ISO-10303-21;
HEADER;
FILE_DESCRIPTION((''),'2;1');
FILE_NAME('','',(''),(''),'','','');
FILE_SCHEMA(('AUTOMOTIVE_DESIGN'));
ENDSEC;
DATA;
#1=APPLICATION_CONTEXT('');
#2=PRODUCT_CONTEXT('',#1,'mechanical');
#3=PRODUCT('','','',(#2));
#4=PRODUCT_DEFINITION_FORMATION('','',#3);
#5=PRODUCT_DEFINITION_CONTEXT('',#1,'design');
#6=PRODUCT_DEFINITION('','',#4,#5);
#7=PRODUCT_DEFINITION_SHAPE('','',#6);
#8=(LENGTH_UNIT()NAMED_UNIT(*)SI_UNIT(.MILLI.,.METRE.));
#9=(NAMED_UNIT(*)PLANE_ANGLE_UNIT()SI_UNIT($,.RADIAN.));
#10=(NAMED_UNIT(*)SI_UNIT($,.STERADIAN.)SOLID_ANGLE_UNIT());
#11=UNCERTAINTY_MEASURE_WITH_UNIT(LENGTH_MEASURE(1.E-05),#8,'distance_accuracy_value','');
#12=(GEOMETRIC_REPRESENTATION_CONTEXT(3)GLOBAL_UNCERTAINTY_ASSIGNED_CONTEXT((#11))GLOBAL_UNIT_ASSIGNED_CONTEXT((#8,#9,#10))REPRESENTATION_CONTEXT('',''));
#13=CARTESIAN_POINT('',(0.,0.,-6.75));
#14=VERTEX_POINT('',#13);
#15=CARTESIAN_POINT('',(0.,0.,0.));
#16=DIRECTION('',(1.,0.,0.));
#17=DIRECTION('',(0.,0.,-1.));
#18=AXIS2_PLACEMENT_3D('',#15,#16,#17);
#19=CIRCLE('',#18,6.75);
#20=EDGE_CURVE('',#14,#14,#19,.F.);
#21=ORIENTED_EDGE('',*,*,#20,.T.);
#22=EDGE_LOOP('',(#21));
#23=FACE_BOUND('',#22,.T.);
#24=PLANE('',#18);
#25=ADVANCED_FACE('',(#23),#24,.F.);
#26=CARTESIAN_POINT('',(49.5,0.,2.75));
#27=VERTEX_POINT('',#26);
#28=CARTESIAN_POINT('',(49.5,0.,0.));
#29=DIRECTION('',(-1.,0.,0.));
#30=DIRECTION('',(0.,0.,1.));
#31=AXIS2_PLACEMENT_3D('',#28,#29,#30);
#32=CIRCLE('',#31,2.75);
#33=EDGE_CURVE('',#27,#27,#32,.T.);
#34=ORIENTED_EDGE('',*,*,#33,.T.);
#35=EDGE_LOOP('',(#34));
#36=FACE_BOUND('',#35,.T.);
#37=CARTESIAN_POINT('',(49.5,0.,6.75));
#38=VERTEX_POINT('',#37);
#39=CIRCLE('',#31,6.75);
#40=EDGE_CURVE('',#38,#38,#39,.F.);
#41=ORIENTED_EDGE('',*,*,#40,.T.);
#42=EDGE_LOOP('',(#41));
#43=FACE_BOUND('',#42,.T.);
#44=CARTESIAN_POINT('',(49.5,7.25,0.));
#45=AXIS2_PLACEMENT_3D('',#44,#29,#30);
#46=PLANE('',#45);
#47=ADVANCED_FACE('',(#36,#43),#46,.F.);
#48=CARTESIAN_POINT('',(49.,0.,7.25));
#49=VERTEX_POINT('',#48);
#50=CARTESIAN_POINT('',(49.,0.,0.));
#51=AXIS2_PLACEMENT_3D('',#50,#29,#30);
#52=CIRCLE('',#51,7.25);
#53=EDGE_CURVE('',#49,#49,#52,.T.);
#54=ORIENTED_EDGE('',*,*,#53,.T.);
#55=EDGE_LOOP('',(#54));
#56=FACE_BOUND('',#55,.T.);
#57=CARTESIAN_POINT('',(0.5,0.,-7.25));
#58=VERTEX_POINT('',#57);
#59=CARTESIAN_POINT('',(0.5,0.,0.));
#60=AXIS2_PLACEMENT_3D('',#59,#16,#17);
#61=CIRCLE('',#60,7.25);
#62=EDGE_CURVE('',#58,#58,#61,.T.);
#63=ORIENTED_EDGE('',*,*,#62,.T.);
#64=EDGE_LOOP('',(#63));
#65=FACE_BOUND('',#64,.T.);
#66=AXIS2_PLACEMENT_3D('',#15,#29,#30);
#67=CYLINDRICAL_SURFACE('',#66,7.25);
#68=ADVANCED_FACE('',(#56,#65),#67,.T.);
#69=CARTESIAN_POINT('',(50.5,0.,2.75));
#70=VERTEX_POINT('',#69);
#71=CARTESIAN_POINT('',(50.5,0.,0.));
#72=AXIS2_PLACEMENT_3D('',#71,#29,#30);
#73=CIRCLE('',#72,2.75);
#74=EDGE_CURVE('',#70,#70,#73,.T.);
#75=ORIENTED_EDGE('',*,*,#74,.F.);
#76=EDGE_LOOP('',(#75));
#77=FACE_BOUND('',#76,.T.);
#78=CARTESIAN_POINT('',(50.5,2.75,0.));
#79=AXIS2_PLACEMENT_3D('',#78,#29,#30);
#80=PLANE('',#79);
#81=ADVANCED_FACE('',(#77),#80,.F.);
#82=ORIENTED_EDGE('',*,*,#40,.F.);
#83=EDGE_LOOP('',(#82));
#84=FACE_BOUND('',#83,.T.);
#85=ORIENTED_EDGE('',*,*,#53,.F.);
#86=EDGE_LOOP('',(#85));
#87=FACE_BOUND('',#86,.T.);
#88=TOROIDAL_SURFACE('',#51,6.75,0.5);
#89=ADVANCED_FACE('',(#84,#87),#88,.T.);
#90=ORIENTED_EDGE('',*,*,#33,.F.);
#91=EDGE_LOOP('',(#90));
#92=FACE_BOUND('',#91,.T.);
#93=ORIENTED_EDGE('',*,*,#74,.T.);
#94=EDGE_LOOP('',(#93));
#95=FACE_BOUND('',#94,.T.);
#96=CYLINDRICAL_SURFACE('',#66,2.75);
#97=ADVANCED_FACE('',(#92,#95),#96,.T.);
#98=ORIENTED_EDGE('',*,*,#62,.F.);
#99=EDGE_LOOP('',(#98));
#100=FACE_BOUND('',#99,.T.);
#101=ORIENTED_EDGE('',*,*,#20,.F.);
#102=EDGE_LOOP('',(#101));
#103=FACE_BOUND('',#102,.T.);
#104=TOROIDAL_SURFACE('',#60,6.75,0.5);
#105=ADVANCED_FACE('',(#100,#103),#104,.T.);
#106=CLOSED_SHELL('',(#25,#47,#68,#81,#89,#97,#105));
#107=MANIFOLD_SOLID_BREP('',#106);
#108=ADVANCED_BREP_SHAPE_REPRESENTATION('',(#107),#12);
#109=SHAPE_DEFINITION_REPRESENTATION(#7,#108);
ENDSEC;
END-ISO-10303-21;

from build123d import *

# Parameters (mm, degrees)
FILLET1_R = 0.5


with BuildPart() as part:
    # Sketch2 → Revolve1 (revolve)
    with BuildSketch(Plane.XY):
        Polygon((0, 0), (0, 7.25), (49.5, 7.25), (49.5, 2.75), (50.5, 2.75), (50.5, 0), align=None)
    revolve(axis=Axis((0, 0, 0), (1, 0, 0)))

    # Fillet1
    fillet1_edges = [part.edges().sort_by_distance(p)[0] for p in [
        (49.5, -7.25, 0),
        (0, -7.25, 0),
    ]]
    fillet(fillet1_edges, radius=FILLET1_R)


solid = part.part
